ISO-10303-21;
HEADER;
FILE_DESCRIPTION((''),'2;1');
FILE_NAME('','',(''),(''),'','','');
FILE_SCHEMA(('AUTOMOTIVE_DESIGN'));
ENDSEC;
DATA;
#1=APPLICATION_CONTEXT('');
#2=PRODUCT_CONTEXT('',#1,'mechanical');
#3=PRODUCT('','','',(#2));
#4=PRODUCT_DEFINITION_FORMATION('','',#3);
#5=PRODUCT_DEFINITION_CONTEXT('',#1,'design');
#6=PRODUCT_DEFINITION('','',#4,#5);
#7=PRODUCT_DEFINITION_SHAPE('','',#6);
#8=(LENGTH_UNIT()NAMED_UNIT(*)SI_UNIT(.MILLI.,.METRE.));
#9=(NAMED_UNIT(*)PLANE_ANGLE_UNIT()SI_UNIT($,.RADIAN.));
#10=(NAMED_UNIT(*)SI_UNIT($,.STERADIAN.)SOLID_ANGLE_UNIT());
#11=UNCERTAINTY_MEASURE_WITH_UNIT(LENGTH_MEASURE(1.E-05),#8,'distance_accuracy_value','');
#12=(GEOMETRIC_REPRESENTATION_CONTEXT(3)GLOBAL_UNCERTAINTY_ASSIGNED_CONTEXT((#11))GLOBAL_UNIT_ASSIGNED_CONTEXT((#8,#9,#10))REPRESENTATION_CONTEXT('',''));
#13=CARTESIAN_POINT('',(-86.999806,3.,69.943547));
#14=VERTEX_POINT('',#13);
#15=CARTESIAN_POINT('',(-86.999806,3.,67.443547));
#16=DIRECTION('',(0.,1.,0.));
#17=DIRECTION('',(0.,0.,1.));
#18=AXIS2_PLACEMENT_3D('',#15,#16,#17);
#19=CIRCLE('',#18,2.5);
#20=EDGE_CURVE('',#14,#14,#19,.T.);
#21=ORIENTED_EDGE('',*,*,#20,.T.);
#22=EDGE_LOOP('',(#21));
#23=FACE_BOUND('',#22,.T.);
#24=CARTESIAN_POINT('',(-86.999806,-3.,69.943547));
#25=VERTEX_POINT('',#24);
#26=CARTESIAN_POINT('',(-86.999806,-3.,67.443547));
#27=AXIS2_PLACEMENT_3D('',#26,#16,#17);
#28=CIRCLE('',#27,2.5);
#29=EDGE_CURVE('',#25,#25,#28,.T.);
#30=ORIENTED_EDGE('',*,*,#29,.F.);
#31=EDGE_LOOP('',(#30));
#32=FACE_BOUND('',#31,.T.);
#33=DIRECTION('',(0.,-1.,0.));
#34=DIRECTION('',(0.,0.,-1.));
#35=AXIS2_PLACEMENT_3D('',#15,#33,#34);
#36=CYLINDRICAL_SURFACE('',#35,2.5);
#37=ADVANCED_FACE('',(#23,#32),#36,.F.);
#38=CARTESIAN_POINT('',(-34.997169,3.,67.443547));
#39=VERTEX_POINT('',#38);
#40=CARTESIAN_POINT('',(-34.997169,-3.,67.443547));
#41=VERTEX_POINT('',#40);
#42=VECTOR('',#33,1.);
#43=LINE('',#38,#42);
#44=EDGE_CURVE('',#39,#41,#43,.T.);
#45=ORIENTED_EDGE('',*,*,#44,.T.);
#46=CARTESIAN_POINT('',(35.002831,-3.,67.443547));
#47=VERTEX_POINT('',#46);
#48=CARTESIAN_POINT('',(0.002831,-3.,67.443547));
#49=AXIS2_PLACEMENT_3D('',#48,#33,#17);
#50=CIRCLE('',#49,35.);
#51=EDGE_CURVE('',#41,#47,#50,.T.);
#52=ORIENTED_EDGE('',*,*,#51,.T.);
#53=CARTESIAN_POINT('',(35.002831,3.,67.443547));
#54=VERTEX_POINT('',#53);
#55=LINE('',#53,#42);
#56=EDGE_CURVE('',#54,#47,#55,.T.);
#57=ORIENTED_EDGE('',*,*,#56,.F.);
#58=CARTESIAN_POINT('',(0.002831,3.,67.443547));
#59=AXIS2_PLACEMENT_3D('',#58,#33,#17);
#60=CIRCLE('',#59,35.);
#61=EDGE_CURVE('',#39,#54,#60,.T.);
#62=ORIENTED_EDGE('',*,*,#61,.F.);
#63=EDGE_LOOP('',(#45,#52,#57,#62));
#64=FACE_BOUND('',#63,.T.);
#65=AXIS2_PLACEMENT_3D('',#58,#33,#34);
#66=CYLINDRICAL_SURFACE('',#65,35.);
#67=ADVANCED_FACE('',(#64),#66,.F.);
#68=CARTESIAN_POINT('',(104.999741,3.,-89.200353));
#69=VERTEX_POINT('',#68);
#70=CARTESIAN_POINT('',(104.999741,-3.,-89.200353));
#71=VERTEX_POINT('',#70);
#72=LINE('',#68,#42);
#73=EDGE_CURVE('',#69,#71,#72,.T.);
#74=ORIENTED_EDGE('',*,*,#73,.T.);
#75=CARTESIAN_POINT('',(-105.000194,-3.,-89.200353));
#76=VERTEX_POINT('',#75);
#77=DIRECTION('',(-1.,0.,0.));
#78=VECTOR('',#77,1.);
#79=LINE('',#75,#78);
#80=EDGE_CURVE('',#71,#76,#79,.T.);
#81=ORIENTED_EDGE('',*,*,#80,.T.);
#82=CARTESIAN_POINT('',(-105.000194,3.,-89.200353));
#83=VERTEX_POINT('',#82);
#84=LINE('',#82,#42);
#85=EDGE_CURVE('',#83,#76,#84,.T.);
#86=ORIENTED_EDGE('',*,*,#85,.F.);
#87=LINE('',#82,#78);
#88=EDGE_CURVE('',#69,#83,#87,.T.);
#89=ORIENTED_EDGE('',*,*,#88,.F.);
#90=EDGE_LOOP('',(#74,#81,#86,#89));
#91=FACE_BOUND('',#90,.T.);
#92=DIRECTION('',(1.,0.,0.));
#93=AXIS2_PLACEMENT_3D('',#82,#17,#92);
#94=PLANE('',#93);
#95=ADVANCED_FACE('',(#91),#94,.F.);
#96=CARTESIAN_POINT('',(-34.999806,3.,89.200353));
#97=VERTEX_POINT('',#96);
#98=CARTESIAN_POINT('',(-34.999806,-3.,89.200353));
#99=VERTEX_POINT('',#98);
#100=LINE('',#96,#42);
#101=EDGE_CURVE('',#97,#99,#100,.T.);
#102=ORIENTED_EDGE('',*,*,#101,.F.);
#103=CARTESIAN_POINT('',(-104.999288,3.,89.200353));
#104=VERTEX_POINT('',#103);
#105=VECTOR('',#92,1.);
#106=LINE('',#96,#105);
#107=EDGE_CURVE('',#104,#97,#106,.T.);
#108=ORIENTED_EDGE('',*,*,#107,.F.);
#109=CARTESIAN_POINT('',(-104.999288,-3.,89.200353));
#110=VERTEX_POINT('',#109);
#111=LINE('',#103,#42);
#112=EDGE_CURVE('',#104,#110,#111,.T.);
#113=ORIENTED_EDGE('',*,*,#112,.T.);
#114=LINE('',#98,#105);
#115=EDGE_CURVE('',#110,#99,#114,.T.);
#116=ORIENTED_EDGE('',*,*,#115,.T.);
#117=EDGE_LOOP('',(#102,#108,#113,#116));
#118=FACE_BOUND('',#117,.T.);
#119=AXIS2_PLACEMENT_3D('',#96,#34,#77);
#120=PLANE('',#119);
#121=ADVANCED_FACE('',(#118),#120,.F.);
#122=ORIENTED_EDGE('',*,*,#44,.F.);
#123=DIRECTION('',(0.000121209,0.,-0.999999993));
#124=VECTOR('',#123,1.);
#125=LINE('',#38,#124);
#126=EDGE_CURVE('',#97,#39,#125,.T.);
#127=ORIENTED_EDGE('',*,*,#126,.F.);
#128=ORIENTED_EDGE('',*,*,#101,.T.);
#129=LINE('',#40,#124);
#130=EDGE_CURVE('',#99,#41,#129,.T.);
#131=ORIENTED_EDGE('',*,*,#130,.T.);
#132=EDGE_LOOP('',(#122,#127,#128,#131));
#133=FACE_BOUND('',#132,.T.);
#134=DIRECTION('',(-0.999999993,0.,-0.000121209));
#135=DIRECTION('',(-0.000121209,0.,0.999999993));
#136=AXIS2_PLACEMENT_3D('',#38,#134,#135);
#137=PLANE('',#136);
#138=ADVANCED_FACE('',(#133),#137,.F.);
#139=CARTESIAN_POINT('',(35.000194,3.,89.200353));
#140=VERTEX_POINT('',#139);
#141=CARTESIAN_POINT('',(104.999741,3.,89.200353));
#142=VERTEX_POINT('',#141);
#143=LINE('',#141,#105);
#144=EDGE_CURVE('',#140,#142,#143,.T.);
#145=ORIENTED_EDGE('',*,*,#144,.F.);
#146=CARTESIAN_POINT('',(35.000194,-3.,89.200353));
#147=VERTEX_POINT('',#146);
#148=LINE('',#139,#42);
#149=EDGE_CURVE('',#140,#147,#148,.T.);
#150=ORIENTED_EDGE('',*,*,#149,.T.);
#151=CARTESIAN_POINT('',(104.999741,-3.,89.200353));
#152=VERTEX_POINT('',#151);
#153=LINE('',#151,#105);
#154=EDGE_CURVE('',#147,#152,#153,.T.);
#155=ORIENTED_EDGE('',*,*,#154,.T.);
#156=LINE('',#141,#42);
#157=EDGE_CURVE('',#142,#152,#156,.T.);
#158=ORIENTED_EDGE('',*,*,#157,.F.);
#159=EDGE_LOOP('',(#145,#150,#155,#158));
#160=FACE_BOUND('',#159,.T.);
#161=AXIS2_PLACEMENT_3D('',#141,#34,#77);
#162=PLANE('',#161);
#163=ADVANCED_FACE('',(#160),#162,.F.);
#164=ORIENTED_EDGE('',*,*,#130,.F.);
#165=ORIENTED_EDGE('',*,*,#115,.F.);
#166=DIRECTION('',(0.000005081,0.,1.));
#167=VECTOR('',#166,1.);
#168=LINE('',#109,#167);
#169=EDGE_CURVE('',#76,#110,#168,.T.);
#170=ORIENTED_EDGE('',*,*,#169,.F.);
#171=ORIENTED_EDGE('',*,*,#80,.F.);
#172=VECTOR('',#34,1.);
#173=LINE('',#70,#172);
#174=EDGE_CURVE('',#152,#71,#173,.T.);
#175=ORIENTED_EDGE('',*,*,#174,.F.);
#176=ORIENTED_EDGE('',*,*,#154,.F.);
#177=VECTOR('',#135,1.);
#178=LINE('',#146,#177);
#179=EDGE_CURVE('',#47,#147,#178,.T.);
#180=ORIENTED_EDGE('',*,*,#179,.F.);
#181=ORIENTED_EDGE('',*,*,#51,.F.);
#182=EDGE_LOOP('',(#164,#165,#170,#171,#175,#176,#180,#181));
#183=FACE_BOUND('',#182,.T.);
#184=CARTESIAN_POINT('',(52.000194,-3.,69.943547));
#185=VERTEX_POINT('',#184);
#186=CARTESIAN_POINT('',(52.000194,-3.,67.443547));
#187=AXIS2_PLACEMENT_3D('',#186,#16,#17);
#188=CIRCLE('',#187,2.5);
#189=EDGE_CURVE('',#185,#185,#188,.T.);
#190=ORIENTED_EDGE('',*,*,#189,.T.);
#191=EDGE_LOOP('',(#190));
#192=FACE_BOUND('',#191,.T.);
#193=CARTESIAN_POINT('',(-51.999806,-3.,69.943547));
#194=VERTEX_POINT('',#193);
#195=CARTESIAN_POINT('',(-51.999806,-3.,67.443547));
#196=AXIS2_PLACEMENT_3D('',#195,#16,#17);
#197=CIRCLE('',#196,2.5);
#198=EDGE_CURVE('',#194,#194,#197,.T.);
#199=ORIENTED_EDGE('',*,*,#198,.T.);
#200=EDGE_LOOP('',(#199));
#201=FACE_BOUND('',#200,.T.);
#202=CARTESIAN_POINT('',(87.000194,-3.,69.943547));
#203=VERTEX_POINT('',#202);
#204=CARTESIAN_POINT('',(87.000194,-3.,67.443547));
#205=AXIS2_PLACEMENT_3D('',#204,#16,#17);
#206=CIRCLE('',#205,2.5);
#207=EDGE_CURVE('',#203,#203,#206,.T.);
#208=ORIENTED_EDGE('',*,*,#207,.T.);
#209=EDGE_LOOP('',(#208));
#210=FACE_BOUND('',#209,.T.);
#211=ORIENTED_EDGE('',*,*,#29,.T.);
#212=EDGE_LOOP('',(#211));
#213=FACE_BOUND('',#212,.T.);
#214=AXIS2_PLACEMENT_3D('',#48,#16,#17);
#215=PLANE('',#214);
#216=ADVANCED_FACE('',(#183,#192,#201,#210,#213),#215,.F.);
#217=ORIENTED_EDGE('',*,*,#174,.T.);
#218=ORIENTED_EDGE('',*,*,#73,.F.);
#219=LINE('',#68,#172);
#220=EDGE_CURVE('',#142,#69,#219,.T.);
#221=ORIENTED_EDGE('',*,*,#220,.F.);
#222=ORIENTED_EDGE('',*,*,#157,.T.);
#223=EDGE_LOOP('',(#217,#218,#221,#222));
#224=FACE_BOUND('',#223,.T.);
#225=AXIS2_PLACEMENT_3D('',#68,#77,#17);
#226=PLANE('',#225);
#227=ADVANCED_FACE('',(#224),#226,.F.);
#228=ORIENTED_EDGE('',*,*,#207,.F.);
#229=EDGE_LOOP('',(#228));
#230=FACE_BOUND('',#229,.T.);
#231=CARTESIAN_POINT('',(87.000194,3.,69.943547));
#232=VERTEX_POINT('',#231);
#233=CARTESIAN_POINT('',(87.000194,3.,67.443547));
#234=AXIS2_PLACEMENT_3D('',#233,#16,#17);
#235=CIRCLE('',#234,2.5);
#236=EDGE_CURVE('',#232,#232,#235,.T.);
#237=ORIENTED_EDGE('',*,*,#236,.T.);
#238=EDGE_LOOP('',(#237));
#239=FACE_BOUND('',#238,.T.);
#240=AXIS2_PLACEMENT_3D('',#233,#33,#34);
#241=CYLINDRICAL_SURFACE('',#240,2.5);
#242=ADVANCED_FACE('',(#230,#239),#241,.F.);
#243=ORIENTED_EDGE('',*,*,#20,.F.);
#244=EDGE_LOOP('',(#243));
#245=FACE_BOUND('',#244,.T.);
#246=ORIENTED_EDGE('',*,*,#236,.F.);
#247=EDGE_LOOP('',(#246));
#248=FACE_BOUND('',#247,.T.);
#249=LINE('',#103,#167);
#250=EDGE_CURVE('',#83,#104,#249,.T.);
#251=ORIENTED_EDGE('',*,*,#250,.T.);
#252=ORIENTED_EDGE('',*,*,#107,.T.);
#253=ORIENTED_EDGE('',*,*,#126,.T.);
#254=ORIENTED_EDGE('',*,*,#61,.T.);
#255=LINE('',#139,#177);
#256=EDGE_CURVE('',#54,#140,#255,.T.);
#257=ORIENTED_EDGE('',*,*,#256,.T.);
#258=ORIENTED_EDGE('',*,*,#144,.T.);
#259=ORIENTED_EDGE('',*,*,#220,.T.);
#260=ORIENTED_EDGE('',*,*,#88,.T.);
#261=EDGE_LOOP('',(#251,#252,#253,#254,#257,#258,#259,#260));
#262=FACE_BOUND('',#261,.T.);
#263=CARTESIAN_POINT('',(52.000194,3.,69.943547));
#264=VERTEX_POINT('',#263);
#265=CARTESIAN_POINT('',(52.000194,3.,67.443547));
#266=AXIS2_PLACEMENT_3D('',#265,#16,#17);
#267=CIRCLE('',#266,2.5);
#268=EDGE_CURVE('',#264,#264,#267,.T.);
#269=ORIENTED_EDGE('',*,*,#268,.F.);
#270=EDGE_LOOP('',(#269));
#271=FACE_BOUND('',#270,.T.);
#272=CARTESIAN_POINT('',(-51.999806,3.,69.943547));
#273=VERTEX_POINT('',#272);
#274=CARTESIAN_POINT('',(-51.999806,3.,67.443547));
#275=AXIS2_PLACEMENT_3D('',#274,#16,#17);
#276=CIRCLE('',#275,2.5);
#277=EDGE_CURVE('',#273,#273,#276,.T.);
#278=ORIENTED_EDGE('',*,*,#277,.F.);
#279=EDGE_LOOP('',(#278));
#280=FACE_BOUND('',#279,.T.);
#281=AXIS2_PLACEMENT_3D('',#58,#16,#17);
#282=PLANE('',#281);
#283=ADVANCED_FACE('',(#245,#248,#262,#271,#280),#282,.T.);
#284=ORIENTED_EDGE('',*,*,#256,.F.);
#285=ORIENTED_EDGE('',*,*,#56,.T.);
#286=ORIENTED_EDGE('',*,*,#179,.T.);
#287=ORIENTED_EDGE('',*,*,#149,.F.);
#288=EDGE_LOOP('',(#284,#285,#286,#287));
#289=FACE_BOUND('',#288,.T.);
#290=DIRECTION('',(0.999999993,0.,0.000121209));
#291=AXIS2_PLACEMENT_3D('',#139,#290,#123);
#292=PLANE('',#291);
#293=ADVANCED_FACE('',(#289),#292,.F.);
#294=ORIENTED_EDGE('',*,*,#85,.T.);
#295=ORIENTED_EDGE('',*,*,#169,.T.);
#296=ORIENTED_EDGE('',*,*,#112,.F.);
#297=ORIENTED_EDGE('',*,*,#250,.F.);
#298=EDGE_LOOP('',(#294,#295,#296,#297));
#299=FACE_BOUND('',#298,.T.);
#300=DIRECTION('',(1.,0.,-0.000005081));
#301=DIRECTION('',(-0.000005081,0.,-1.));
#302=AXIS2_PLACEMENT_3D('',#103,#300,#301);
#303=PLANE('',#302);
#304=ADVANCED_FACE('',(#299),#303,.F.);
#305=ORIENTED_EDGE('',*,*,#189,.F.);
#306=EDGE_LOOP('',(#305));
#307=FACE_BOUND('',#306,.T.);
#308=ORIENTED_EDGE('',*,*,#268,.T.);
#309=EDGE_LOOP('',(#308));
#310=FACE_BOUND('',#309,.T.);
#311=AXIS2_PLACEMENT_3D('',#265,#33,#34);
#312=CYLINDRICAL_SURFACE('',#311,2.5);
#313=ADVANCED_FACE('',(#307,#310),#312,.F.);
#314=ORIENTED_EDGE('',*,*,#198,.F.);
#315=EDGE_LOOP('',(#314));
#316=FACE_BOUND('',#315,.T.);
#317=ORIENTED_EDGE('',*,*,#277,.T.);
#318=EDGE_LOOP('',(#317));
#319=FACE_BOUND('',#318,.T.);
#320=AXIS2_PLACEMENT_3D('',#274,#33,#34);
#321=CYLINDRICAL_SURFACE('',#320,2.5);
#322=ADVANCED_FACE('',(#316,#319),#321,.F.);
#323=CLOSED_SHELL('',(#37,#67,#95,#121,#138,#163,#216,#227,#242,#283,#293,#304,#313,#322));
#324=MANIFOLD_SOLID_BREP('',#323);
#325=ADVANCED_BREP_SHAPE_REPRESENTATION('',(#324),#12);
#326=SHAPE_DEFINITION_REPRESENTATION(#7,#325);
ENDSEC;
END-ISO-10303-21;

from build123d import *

# Parameters (mm, degrees)
MODEL_R             = 2.5
BOSS_EXTRUDE1_DEPTH = 3


with BuildPart() as part:
    # Model → Boss-Extrude1 (new body, symmetric)
    with BuildSketch(Plane(origin=(0, 0, 0), x_dir=(1, 0, 0), z_dir=(0, 1, 0))):
        with BuildLine():
            Line((-34.997168674, -67.443546623), (-34.999805804, -89.200353377))
            Line((-34.999805804, -89.200353377), (-104.999287788, -89.200353377))
            Line((-104.999287788, -89.200353377), (-105.000194196, 89.200353377))
            Line((-105.000194196, 89.200353377), (104.999740995, 89.200353377))
            Line((104.999740995, 89.200353377), (104.999740995, -89.200353377))
            Line((104.999740995, -89.200353377), (35.000194196, -89.200353377))
            Line((35.000194196, -89.200353377), (35.002831326, -67.443546623))
            ThreePointArc((35.002831326, -67.443546623), (0.002831326, -32.443546623), (-34.997168674, -67.443546623))
        make_face()
        with Locations((52.000194196, -67.443546623)):
            Circle(MODEL_R, mode=Mode.SUBTRACT)
        with Locations((-51.999805804, -67.443546623)):
            Circle(MODEL_R, mode=Mode.SUBTRACT)
        with Locations((-86.999805804, -67.443546623)):
            Circle(MODEL_R, mode=Mode.SUBTRACT)
        with Locations((87.000194196, -67.443546623)):
            Circle(MODEL_R, mode=Mode.SUBTRACT)
    extrude(amount=BOSS_EXTRUDE1_DEPTH, both=True)


solid = part.part
